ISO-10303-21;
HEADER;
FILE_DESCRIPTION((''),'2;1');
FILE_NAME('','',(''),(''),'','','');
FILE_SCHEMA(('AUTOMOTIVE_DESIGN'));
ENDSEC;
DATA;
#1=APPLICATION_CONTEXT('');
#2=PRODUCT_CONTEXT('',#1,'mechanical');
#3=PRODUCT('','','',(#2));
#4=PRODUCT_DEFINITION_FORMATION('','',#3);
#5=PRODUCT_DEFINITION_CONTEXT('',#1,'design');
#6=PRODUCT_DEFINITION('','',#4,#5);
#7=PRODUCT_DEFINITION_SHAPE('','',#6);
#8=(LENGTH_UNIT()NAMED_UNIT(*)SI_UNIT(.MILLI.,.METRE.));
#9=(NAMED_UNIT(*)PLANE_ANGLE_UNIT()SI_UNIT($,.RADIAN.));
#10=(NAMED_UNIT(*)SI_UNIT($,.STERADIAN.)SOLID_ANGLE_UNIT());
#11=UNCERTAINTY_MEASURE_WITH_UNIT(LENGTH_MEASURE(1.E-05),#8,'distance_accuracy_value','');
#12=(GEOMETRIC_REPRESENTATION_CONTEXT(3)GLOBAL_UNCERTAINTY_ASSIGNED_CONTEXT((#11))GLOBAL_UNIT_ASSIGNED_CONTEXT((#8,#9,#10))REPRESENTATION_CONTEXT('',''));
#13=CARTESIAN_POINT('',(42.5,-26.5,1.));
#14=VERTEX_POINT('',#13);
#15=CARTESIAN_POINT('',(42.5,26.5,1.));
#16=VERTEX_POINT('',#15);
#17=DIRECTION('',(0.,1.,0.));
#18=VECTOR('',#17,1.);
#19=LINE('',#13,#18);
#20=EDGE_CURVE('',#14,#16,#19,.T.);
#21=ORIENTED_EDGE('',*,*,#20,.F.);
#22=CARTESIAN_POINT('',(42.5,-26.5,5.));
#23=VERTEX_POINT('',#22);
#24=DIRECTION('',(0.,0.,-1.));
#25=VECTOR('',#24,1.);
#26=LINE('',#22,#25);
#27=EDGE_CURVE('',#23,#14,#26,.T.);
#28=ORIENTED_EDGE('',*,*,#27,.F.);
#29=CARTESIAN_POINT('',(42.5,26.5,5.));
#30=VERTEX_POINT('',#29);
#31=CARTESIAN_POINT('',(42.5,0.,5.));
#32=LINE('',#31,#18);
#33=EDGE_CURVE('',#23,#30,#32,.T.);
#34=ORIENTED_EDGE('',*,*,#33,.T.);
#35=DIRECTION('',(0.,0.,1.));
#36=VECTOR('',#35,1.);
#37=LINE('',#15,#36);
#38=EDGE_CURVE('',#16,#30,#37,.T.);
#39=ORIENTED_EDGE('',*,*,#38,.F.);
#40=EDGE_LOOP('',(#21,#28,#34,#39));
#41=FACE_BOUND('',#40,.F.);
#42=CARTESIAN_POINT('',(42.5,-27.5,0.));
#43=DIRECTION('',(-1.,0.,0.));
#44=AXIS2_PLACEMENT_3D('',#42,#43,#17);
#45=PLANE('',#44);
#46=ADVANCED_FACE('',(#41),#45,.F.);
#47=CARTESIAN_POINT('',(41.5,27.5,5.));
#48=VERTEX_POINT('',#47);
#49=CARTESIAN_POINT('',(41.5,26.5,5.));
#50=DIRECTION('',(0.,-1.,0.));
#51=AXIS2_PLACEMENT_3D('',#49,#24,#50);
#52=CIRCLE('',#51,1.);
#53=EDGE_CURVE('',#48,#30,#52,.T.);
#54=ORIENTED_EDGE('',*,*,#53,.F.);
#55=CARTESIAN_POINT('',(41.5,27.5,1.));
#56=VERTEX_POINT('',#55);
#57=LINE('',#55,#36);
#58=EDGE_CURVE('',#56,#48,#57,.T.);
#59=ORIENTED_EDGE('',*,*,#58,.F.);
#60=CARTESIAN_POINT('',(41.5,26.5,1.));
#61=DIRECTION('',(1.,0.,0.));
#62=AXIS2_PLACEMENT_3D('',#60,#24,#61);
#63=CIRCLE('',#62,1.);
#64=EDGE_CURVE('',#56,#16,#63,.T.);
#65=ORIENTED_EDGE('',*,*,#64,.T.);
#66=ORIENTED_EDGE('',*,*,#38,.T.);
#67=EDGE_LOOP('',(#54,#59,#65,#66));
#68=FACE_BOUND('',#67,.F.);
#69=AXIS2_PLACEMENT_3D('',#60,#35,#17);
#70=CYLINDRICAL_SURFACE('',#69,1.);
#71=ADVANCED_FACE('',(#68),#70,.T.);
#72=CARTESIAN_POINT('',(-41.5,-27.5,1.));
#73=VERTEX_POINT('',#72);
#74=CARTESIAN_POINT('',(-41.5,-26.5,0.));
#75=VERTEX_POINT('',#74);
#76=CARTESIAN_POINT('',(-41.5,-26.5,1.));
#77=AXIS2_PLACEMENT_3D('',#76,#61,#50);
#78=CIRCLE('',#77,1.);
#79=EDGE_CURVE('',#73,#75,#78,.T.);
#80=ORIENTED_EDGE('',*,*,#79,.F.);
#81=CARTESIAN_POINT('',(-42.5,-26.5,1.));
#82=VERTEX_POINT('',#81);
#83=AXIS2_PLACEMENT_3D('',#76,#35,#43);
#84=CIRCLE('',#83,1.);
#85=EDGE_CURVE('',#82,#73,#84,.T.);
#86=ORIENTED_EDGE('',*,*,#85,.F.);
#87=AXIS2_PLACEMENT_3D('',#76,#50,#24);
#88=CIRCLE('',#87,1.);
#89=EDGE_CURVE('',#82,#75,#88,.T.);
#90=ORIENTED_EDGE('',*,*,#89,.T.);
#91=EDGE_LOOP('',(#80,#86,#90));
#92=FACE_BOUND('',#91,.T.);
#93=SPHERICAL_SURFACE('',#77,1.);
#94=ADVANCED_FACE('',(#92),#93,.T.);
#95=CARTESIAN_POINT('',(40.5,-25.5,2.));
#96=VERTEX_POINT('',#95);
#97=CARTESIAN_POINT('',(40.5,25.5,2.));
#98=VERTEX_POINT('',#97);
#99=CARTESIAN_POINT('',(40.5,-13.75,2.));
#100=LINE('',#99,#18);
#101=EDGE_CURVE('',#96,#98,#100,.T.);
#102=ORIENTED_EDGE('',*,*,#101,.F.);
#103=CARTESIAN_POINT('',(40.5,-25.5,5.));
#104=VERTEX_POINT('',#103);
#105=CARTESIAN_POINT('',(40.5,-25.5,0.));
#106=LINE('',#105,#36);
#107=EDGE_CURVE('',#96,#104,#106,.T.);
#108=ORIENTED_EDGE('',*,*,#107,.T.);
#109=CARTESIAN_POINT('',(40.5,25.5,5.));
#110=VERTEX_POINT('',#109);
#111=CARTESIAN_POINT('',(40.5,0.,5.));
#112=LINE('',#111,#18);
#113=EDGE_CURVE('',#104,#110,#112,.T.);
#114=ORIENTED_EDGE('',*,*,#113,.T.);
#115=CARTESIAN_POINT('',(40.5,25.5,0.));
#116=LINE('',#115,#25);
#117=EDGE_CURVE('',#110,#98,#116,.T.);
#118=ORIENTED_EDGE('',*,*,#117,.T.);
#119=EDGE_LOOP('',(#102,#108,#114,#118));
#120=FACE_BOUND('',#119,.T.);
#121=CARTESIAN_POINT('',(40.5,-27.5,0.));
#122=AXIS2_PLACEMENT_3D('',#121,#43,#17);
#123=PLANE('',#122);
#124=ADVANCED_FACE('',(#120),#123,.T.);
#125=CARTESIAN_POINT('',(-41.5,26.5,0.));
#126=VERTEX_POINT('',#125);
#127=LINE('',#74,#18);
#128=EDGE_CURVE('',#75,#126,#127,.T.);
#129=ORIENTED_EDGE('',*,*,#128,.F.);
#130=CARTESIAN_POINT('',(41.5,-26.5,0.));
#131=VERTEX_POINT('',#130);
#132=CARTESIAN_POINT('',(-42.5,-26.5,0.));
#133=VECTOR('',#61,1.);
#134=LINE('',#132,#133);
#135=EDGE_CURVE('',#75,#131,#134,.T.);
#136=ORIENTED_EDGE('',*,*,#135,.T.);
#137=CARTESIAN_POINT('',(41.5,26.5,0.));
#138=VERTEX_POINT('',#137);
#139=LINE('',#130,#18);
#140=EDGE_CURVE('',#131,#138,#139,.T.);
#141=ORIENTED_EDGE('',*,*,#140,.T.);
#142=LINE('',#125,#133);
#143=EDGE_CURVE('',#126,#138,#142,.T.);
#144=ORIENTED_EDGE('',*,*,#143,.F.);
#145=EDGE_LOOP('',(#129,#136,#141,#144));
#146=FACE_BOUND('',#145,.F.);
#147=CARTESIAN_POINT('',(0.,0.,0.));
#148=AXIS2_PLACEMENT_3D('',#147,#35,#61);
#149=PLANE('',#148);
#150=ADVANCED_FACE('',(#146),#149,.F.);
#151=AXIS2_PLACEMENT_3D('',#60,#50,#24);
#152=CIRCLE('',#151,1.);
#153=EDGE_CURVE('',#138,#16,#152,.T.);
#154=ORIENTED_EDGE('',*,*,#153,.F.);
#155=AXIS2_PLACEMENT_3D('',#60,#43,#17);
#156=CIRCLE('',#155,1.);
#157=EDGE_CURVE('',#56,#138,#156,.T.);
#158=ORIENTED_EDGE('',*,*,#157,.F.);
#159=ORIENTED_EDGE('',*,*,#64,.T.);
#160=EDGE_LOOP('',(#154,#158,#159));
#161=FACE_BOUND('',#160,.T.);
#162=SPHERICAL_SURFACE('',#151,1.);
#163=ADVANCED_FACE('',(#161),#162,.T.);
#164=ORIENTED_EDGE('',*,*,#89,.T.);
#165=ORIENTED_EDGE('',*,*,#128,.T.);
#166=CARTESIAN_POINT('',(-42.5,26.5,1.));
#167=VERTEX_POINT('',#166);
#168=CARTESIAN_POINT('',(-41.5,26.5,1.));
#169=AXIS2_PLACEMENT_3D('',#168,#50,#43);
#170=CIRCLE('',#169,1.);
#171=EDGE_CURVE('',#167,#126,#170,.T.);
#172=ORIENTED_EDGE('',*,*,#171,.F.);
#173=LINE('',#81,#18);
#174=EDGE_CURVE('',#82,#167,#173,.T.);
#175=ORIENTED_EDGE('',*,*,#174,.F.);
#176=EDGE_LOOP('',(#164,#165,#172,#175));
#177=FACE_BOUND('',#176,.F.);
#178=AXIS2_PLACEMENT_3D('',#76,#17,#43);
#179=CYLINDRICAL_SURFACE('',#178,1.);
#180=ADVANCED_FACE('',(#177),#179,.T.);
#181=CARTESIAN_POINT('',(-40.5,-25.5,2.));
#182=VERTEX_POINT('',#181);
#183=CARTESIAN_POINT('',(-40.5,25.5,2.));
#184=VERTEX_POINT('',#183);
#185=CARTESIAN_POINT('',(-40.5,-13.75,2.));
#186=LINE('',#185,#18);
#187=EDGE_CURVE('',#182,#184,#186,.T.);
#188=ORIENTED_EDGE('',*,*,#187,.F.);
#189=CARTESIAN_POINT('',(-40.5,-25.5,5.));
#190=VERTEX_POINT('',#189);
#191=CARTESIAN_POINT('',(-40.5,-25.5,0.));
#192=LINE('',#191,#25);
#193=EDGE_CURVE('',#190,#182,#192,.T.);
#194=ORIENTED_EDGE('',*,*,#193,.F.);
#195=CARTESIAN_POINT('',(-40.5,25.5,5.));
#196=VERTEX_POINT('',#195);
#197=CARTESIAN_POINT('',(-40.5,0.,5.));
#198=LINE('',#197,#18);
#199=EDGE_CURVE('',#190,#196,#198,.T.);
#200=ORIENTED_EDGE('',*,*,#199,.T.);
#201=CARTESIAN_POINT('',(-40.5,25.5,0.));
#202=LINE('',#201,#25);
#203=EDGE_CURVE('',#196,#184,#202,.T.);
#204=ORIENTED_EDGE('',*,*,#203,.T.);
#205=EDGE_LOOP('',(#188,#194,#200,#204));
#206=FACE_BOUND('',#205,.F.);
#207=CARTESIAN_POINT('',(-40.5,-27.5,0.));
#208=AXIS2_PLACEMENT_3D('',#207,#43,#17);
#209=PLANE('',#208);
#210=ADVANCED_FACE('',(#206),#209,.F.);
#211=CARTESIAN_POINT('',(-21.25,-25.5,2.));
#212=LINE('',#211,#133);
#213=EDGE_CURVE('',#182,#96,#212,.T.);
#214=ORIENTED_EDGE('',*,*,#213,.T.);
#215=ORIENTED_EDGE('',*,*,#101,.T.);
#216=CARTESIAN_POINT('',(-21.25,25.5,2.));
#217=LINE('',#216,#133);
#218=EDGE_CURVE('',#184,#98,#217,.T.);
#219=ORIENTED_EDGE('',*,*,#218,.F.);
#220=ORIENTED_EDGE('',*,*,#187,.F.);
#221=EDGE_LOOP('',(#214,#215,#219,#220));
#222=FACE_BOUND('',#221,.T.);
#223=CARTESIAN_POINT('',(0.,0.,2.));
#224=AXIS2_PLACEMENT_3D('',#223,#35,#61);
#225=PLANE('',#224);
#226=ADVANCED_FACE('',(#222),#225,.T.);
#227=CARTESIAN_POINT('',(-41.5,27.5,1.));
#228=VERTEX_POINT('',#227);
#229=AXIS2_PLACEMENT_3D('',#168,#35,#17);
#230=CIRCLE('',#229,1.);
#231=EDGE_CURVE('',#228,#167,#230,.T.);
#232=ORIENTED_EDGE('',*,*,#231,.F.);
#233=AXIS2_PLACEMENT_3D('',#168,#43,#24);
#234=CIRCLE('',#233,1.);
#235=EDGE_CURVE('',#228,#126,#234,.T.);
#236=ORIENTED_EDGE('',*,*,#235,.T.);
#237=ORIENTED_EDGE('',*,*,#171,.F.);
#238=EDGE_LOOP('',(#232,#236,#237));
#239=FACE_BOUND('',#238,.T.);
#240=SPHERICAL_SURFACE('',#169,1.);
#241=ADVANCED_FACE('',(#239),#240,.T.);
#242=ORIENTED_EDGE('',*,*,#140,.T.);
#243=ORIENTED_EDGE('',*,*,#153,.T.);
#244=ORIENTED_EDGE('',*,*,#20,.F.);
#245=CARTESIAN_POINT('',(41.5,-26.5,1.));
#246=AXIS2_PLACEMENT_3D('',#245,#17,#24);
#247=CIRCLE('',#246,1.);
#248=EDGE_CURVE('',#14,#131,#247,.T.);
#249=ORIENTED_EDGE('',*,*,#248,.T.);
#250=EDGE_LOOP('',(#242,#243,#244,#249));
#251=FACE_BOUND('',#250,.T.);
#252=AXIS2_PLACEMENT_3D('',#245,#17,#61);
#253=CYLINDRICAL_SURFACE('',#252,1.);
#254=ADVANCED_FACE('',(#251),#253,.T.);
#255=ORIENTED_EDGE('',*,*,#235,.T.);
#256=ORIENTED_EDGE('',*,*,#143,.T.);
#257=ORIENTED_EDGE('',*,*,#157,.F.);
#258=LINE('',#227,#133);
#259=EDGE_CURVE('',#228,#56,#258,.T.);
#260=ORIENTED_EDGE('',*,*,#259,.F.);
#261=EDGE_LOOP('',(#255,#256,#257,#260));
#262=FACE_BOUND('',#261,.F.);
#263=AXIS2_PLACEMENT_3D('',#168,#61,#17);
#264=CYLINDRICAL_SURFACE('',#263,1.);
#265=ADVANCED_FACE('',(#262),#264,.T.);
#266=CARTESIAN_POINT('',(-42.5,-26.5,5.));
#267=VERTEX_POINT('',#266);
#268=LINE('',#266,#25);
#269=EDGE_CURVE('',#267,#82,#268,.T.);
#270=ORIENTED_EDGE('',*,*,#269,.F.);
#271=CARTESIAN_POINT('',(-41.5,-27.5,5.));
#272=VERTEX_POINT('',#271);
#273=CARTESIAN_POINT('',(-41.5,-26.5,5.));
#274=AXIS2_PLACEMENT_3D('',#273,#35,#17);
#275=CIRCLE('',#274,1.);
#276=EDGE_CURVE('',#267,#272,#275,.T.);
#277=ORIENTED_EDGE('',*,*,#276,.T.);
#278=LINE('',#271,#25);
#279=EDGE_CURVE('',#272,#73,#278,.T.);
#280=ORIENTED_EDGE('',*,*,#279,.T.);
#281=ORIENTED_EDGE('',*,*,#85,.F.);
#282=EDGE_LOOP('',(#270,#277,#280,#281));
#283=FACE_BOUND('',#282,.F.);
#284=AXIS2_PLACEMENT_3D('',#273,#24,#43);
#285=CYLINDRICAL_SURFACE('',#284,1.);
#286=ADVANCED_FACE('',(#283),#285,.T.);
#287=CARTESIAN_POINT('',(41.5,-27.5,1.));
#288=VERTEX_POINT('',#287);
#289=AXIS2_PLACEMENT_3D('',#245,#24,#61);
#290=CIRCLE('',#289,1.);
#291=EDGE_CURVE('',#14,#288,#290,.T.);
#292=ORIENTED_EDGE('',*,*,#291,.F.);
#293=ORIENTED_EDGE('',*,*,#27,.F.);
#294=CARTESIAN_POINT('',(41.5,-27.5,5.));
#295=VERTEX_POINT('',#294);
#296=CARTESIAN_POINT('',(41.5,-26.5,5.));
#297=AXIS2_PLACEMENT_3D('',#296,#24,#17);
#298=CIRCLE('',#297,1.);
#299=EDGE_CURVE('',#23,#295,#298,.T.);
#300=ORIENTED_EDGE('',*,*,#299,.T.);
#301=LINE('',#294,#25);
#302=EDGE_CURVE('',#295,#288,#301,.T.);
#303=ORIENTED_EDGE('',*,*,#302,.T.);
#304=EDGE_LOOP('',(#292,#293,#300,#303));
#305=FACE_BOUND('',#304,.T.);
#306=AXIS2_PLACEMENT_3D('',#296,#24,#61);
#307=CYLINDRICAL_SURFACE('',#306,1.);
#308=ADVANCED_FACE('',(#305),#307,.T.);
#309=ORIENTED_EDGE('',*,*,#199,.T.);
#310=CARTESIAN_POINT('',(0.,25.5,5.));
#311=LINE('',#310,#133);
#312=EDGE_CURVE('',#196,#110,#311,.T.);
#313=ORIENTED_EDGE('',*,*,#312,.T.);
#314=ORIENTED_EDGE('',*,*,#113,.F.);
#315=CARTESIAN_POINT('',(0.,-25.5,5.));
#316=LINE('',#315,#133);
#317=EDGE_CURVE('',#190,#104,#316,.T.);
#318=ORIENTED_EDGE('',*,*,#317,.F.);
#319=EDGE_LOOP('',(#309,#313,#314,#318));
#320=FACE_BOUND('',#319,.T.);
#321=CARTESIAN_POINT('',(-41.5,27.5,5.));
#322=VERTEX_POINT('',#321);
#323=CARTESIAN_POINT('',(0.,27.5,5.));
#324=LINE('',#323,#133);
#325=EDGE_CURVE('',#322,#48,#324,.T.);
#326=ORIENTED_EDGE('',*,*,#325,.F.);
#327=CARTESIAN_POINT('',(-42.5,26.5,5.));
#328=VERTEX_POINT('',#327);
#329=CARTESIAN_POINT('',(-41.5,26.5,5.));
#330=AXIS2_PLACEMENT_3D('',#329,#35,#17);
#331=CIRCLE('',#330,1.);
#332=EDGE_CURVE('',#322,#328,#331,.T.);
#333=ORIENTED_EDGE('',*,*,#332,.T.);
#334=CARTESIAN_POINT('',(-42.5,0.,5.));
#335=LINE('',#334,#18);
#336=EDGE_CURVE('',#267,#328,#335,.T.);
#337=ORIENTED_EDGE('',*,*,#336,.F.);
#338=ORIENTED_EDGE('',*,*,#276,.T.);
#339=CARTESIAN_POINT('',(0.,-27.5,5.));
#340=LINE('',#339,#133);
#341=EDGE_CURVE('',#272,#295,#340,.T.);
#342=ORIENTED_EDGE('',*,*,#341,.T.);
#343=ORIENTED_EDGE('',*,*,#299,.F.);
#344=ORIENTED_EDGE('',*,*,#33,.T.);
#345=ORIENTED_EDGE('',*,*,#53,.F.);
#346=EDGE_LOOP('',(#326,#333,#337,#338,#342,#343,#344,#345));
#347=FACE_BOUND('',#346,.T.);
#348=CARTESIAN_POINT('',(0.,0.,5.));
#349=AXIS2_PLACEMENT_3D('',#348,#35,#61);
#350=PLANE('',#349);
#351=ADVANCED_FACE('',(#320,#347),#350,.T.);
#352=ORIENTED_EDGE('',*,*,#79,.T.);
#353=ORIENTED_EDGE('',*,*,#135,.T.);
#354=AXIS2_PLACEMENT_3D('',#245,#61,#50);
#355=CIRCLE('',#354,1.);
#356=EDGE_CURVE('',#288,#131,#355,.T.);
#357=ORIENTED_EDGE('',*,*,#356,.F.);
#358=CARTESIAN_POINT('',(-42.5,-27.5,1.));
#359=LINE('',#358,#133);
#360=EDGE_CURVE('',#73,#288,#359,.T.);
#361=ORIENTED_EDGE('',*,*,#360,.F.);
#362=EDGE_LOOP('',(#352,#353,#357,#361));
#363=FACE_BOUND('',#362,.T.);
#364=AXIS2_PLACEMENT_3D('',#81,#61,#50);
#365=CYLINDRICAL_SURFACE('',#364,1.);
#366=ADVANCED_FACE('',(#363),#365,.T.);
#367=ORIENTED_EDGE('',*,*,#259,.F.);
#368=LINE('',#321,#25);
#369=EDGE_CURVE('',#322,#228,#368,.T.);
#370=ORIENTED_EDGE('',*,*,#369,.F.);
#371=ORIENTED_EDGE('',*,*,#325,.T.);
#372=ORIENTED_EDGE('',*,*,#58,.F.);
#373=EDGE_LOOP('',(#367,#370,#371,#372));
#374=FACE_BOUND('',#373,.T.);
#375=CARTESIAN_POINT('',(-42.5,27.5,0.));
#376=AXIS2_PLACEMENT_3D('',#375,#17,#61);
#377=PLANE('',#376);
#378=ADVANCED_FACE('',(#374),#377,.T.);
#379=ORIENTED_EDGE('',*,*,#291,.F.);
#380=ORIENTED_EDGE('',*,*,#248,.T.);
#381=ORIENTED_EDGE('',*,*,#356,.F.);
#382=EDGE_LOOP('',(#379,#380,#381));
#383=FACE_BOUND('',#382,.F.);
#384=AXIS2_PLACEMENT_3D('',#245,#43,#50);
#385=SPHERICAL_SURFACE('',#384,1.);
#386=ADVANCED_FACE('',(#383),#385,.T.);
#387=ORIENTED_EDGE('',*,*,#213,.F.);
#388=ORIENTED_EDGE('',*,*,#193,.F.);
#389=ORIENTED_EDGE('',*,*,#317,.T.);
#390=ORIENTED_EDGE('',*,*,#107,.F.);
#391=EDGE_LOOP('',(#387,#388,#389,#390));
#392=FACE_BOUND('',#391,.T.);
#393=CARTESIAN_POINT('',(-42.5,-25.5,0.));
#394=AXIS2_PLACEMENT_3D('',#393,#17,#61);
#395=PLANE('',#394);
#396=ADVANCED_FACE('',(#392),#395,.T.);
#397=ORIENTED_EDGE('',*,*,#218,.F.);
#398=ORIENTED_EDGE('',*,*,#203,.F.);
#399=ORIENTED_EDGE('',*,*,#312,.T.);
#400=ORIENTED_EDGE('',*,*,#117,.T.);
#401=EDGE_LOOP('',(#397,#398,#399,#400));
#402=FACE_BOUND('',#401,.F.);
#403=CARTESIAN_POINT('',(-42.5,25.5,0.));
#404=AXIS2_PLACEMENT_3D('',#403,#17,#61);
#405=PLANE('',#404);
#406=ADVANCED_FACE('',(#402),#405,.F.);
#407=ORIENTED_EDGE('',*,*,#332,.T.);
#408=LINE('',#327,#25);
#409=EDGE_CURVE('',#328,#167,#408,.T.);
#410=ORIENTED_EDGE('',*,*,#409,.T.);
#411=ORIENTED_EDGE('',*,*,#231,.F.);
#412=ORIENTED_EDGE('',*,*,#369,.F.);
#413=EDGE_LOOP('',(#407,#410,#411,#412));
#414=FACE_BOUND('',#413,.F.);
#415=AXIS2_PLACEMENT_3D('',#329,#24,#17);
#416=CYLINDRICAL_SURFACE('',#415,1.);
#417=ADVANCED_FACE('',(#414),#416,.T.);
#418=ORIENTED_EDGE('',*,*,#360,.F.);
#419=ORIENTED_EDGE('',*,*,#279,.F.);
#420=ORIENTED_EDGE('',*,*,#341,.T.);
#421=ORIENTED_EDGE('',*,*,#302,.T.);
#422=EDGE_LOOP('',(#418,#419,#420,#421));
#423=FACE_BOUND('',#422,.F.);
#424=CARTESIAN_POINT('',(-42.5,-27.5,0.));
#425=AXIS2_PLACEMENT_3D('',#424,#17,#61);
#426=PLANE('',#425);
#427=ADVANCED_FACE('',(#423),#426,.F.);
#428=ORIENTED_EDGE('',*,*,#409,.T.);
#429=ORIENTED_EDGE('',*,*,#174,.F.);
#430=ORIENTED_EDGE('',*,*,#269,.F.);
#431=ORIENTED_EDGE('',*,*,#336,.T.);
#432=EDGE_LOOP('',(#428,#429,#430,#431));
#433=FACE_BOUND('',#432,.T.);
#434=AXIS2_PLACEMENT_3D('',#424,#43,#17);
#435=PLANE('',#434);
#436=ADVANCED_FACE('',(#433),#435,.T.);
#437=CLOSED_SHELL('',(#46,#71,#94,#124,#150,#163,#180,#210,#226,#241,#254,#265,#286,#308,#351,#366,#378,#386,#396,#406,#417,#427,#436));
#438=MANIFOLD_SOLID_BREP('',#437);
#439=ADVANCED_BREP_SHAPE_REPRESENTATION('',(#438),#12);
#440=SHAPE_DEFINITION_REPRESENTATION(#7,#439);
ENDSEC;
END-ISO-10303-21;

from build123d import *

# Parameters (mm, degrees)
F0_W     = 85
F0_H     = 55
F1_DEPTH = 5
F2_T     = -2
F3_R     = 1
F4_R     = 1
F5_R     = 1
F6_R     = 1


with BuildPart() as f1:
    # F0 (on Top) → F1 (new body)
    with BuildSketch(Plane.XY):
        Rectangle(F0_W, F0_H)
    extrude(amount=F1_DEPTH)

    # F2
    f2_openings = [f1.faces().sort_by_distance(p)[0] for p in [
        (0, 0, 5),
    ]]
    offset(amount=F2_T, openings=f2_openings)

    # F3
    f3_edges = [f1.edges().sort_by_distance(p)[0] for p in [
        (0, -27.5, 0),
    ]]
    fillet(f3_edges, radius=F3_R)

    # F4
    f4_edges = [f1.edges().sort_by_distance(p)[0] for p in [
        (-42.5, 0.5, 0),
    ]]
    fillet(f4_edges, radius=F4_R)

    # F5
    f5_edges = [f1.edges().sort_by_distance(p)[0] for p in [
        (42.5, 0.5, 0),
    ]]
    fillet(f5_edges, radius=F5_R)

    # F6
    f6_edges = [f1.edges().sort_by_distance(p)[0] for p in [
        (0, 27.5, 0),
    ]]
    fillet(f6_edges, radius=F6_R)


solid = f1.part
